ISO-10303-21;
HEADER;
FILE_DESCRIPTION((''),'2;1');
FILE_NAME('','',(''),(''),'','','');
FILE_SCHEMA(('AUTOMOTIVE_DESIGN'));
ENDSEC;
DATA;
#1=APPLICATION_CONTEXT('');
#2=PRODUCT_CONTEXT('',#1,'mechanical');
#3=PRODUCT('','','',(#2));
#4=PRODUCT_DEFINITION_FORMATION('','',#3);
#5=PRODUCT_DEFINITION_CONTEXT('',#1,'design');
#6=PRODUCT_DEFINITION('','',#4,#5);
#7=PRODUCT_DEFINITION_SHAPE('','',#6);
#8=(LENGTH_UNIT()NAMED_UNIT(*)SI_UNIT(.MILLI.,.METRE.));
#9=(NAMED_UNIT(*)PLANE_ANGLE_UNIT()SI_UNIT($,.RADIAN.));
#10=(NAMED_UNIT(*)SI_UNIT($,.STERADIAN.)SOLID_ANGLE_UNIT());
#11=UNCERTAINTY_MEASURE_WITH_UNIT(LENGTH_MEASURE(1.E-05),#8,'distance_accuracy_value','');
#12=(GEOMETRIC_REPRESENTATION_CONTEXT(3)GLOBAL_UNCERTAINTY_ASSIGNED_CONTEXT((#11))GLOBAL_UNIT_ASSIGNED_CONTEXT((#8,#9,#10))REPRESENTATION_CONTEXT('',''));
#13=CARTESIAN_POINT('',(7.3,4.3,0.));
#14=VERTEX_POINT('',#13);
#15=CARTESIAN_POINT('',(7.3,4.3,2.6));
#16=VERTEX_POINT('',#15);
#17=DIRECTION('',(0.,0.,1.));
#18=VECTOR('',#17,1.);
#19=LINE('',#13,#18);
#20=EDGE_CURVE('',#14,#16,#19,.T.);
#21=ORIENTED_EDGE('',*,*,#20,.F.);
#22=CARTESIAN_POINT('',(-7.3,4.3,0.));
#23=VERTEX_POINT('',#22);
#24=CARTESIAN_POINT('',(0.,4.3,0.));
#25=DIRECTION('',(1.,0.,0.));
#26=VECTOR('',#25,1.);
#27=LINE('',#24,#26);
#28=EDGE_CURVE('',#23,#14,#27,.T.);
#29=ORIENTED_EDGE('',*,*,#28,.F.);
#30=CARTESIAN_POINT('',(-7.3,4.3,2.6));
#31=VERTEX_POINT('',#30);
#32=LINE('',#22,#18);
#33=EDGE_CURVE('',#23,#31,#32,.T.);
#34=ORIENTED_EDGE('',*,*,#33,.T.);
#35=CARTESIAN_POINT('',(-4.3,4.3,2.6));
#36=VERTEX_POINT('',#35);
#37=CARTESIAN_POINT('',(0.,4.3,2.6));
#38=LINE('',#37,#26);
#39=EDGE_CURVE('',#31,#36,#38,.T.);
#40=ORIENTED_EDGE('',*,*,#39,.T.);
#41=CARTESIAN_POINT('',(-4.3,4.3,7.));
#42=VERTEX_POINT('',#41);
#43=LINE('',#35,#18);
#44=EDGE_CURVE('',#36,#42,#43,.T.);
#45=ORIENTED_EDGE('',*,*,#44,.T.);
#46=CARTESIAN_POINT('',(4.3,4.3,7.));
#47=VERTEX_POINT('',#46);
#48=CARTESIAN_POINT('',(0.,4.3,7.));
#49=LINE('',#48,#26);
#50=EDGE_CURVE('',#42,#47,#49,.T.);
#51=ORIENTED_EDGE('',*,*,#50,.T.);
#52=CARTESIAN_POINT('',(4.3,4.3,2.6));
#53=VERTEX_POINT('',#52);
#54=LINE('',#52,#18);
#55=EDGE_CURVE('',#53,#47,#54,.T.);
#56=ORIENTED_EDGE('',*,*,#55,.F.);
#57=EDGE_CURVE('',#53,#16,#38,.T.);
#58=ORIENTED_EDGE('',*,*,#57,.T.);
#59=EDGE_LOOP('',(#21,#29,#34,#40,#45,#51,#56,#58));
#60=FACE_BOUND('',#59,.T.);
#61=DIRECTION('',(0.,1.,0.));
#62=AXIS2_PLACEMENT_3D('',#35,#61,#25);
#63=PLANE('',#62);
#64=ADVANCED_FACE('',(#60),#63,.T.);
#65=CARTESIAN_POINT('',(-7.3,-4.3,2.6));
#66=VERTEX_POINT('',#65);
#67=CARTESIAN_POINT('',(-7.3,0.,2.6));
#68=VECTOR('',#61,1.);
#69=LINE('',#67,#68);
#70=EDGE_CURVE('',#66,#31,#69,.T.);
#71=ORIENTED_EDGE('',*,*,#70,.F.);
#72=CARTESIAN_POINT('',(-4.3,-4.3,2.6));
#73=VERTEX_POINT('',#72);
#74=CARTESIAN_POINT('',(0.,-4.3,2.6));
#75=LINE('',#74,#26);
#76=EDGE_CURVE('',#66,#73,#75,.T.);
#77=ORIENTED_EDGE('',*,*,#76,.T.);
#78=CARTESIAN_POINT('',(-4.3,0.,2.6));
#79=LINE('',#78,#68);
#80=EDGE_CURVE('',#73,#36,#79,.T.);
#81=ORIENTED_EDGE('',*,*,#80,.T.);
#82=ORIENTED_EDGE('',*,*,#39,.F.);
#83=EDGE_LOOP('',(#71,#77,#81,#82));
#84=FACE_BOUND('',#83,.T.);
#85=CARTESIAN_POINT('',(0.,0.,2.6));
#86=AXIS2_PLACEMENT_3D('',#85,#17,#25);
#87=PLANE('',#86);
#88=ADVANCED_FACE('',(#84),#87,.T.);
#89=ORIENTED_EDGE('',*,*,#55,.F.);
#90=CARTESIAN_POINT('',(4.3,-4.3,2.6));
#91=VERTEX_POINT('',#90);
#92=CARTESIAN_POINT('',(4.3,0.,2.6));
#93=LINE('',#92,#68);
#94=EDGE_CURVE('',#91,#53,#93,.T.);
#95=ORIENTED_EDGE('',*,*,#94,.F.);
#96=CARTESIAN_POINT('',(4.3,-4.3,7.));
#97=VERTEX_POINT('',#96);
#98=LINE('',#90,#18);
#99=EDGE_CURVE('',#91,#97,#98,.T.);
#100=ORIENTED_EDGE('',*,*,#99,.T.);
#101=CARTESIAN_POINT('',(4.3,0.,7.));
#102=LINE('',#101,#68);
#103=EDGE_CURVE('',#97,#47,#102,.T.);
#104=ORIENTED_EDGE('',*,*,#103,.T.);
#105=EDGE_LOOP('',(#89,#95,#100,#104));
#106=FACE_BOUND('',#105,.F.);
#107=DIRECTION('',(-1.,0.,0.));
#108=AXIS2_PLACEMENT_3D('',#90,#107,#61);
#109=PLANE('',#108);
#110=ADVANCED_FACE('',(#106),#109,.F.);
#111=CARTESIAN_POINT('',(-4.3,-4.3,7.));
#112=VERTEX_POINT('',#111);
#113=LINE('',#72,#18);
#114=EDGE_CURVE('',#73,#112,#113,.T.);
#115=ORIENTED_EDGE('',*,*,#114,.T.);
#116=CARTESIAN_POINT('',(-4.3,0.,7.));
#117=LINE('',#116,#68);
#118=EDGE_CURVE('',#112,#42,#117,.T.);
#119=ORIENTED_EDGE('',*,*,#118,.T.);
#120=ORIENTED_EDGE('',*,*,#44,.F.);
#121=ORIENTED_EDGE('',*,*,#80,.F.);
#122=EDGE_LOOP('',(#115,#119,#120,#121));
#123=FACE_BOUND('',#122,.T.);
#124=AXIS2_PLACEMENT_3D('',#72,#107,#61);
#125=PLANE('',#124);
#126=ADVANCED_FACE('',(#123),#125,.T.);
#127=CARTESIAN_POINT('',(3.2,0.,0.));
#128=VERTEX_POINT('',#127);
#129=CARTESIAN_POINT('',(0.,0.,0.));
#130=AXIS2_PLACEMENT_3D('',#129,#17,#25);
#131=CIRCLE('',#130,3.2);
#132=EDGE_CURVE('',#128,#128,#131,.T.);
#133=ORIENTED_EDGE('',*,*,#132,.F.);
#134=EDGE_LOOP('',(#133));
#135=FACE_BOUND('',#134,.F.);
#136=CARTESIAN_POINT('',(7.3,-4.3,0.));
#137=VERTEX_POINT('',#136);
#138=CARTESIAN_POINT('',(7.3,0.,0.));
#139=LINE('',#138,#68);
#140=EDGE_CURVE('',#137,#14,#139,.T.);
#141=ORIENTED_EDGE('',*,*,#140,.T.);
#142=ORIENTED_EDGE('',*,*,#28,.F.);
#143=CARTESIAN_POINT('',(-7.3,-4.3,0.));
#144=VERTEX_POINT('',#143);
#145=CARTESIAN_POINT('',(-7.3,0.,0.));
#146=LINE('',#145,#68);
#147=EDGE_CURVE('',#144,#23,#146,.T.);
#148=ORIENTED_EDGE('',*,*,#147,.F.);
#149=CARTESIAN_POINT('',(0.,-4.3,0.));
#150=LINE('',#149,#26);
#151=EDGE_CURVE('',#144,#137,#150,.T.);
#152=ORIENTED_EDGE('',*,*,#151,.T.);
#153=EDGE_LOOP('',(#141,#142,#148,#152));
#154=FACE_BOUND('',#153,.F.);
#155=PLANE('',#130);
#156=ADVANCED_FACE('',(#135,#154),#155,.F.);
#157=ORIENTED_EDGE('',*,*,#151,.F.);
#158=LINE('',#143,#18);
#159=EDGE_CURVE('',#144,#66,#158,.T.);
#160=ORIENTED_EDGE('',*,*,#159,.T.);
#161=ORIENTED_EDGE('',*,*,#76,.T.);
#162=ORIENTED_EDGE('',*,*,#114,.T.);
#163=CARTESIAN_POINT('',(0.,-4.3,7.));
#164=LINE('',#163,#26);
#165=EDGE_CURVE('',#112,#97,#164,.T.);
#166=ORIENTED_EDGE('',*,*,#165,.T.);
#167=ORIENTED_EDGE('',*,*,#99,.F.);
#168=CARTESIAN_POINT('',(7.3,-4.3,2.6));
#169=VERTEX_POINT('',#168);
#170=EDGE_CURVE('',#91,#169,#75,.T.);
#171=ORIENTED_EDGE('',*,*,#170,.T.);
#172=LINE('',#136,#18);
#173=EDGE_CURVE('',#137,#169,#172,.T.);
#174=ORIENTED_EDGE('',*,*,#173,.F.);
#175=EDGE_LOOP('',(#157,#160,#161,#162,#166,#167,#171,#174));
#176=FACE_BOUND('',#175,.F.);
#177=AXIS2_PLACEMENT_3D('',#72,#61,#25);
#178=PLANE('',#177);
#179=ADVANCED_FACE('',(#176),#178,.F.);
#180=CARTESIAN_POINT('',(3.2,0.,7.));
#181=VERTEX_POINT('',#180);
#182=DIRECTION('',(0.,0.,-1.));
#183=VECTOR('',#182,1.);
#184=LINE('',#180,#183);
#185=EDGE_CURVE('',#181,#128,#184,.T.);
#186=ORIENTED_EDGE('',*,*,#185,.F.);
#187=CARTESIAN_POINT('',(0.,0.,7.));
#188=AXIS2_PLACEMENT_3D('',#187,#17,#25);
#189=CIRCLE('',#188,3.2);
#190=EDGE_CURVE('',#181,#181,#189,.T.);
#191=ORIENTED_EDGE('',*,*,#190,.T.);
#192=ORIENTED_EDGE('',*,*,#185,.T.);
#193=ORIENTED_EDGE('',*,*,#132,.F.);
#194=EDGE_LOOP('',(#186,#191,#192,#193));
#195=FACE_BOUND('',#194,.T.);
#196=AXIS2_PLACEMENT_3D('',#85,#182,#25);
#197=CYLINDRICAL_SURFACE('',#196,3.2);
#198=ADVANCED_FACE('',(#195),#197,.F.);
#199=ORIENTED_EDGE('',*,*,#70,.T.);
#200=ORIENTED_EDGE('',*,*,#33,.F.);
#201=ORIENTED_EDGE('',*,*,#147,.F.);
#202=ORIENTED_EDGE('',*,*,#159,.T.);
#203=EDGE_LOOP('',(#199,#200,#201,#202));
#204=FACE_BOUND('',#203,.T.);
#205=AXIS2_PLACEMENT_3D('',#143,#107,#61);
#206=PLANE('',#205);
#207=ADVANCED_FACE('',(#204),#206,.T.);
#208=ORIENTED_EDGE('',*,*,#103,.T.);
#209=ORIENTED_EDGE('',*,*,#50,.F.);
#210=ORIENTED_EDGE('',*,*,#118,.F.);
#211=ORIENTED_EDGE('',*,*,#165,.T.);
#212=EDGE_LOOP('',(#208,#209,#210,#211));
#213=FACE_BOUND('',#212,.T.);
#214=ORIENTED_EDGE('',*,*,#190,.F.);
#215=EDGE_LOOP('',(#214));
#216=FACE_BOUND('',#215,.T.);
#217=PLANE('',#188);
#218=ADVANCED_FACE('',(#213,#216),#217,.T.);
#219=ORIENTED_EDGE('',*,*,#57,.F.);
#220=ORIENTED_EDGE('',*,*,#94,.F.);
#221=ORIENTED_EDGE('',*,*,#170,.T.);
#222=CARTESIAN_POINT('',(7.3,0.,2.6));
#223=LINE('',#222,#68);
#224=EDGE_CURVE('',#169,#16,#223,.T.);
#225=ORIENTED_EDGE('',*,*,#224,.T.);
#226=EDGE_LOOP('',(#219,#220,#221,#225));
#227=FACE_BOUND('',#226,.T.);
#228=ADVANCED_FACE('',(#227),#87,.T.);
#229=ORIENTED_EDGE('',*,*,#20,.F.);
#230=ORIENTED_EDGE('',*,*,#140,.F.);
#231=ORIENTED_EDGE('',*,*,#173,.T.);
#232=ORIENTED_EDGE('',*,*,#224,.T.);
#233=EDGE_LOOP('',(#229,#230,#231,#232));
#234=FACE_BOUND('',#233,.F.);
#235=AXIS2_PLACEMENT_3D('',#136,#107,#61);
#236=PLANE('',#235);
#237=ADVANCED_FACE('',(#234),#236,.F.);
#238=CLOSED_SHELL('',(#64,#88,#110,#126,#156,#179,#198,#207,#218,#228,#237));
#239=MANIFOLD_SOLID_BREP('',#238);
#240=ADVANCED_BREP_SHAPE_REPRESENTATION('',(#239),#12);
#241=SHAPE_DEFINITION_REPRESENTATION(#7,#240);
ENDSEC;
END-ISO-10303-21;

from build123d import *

# Parameters (mm, degrees)
SKETCH_W     = 14.6
SKETCH_H     = 8.6
SKETCH_R     = 3.2
PAD_DEPTH    = 2.6
SKETCH001_W  = 8.6
SKETCH001_H  = 8.6
SKETCH001_R  = 3.2
PAD001_DEPTH = 4.4


with BuildPart() as part:
    # Sketch → Pad (new body)
    with BuildSketch(Plane.XY):
        Rectangle(SKETCH_W, SKETCH_H)
        Circle(SKETCH_R, mode=Mode.SUBTRACT)
    extrude(amount=PAD_DEPTH)

    # Sketch001 (on Face7 of Pad) → Pad001 (join)
    with BuildSketch(Plane.XY.offset(2.6)):
        Rectangle(SKETCH001_W, SKETCH001_H)
        Circle(SKETCH001_R, mode=Mode.SUBTRACT)
    extrude(amount=PAD001_DEPTH)


solid = part.part
